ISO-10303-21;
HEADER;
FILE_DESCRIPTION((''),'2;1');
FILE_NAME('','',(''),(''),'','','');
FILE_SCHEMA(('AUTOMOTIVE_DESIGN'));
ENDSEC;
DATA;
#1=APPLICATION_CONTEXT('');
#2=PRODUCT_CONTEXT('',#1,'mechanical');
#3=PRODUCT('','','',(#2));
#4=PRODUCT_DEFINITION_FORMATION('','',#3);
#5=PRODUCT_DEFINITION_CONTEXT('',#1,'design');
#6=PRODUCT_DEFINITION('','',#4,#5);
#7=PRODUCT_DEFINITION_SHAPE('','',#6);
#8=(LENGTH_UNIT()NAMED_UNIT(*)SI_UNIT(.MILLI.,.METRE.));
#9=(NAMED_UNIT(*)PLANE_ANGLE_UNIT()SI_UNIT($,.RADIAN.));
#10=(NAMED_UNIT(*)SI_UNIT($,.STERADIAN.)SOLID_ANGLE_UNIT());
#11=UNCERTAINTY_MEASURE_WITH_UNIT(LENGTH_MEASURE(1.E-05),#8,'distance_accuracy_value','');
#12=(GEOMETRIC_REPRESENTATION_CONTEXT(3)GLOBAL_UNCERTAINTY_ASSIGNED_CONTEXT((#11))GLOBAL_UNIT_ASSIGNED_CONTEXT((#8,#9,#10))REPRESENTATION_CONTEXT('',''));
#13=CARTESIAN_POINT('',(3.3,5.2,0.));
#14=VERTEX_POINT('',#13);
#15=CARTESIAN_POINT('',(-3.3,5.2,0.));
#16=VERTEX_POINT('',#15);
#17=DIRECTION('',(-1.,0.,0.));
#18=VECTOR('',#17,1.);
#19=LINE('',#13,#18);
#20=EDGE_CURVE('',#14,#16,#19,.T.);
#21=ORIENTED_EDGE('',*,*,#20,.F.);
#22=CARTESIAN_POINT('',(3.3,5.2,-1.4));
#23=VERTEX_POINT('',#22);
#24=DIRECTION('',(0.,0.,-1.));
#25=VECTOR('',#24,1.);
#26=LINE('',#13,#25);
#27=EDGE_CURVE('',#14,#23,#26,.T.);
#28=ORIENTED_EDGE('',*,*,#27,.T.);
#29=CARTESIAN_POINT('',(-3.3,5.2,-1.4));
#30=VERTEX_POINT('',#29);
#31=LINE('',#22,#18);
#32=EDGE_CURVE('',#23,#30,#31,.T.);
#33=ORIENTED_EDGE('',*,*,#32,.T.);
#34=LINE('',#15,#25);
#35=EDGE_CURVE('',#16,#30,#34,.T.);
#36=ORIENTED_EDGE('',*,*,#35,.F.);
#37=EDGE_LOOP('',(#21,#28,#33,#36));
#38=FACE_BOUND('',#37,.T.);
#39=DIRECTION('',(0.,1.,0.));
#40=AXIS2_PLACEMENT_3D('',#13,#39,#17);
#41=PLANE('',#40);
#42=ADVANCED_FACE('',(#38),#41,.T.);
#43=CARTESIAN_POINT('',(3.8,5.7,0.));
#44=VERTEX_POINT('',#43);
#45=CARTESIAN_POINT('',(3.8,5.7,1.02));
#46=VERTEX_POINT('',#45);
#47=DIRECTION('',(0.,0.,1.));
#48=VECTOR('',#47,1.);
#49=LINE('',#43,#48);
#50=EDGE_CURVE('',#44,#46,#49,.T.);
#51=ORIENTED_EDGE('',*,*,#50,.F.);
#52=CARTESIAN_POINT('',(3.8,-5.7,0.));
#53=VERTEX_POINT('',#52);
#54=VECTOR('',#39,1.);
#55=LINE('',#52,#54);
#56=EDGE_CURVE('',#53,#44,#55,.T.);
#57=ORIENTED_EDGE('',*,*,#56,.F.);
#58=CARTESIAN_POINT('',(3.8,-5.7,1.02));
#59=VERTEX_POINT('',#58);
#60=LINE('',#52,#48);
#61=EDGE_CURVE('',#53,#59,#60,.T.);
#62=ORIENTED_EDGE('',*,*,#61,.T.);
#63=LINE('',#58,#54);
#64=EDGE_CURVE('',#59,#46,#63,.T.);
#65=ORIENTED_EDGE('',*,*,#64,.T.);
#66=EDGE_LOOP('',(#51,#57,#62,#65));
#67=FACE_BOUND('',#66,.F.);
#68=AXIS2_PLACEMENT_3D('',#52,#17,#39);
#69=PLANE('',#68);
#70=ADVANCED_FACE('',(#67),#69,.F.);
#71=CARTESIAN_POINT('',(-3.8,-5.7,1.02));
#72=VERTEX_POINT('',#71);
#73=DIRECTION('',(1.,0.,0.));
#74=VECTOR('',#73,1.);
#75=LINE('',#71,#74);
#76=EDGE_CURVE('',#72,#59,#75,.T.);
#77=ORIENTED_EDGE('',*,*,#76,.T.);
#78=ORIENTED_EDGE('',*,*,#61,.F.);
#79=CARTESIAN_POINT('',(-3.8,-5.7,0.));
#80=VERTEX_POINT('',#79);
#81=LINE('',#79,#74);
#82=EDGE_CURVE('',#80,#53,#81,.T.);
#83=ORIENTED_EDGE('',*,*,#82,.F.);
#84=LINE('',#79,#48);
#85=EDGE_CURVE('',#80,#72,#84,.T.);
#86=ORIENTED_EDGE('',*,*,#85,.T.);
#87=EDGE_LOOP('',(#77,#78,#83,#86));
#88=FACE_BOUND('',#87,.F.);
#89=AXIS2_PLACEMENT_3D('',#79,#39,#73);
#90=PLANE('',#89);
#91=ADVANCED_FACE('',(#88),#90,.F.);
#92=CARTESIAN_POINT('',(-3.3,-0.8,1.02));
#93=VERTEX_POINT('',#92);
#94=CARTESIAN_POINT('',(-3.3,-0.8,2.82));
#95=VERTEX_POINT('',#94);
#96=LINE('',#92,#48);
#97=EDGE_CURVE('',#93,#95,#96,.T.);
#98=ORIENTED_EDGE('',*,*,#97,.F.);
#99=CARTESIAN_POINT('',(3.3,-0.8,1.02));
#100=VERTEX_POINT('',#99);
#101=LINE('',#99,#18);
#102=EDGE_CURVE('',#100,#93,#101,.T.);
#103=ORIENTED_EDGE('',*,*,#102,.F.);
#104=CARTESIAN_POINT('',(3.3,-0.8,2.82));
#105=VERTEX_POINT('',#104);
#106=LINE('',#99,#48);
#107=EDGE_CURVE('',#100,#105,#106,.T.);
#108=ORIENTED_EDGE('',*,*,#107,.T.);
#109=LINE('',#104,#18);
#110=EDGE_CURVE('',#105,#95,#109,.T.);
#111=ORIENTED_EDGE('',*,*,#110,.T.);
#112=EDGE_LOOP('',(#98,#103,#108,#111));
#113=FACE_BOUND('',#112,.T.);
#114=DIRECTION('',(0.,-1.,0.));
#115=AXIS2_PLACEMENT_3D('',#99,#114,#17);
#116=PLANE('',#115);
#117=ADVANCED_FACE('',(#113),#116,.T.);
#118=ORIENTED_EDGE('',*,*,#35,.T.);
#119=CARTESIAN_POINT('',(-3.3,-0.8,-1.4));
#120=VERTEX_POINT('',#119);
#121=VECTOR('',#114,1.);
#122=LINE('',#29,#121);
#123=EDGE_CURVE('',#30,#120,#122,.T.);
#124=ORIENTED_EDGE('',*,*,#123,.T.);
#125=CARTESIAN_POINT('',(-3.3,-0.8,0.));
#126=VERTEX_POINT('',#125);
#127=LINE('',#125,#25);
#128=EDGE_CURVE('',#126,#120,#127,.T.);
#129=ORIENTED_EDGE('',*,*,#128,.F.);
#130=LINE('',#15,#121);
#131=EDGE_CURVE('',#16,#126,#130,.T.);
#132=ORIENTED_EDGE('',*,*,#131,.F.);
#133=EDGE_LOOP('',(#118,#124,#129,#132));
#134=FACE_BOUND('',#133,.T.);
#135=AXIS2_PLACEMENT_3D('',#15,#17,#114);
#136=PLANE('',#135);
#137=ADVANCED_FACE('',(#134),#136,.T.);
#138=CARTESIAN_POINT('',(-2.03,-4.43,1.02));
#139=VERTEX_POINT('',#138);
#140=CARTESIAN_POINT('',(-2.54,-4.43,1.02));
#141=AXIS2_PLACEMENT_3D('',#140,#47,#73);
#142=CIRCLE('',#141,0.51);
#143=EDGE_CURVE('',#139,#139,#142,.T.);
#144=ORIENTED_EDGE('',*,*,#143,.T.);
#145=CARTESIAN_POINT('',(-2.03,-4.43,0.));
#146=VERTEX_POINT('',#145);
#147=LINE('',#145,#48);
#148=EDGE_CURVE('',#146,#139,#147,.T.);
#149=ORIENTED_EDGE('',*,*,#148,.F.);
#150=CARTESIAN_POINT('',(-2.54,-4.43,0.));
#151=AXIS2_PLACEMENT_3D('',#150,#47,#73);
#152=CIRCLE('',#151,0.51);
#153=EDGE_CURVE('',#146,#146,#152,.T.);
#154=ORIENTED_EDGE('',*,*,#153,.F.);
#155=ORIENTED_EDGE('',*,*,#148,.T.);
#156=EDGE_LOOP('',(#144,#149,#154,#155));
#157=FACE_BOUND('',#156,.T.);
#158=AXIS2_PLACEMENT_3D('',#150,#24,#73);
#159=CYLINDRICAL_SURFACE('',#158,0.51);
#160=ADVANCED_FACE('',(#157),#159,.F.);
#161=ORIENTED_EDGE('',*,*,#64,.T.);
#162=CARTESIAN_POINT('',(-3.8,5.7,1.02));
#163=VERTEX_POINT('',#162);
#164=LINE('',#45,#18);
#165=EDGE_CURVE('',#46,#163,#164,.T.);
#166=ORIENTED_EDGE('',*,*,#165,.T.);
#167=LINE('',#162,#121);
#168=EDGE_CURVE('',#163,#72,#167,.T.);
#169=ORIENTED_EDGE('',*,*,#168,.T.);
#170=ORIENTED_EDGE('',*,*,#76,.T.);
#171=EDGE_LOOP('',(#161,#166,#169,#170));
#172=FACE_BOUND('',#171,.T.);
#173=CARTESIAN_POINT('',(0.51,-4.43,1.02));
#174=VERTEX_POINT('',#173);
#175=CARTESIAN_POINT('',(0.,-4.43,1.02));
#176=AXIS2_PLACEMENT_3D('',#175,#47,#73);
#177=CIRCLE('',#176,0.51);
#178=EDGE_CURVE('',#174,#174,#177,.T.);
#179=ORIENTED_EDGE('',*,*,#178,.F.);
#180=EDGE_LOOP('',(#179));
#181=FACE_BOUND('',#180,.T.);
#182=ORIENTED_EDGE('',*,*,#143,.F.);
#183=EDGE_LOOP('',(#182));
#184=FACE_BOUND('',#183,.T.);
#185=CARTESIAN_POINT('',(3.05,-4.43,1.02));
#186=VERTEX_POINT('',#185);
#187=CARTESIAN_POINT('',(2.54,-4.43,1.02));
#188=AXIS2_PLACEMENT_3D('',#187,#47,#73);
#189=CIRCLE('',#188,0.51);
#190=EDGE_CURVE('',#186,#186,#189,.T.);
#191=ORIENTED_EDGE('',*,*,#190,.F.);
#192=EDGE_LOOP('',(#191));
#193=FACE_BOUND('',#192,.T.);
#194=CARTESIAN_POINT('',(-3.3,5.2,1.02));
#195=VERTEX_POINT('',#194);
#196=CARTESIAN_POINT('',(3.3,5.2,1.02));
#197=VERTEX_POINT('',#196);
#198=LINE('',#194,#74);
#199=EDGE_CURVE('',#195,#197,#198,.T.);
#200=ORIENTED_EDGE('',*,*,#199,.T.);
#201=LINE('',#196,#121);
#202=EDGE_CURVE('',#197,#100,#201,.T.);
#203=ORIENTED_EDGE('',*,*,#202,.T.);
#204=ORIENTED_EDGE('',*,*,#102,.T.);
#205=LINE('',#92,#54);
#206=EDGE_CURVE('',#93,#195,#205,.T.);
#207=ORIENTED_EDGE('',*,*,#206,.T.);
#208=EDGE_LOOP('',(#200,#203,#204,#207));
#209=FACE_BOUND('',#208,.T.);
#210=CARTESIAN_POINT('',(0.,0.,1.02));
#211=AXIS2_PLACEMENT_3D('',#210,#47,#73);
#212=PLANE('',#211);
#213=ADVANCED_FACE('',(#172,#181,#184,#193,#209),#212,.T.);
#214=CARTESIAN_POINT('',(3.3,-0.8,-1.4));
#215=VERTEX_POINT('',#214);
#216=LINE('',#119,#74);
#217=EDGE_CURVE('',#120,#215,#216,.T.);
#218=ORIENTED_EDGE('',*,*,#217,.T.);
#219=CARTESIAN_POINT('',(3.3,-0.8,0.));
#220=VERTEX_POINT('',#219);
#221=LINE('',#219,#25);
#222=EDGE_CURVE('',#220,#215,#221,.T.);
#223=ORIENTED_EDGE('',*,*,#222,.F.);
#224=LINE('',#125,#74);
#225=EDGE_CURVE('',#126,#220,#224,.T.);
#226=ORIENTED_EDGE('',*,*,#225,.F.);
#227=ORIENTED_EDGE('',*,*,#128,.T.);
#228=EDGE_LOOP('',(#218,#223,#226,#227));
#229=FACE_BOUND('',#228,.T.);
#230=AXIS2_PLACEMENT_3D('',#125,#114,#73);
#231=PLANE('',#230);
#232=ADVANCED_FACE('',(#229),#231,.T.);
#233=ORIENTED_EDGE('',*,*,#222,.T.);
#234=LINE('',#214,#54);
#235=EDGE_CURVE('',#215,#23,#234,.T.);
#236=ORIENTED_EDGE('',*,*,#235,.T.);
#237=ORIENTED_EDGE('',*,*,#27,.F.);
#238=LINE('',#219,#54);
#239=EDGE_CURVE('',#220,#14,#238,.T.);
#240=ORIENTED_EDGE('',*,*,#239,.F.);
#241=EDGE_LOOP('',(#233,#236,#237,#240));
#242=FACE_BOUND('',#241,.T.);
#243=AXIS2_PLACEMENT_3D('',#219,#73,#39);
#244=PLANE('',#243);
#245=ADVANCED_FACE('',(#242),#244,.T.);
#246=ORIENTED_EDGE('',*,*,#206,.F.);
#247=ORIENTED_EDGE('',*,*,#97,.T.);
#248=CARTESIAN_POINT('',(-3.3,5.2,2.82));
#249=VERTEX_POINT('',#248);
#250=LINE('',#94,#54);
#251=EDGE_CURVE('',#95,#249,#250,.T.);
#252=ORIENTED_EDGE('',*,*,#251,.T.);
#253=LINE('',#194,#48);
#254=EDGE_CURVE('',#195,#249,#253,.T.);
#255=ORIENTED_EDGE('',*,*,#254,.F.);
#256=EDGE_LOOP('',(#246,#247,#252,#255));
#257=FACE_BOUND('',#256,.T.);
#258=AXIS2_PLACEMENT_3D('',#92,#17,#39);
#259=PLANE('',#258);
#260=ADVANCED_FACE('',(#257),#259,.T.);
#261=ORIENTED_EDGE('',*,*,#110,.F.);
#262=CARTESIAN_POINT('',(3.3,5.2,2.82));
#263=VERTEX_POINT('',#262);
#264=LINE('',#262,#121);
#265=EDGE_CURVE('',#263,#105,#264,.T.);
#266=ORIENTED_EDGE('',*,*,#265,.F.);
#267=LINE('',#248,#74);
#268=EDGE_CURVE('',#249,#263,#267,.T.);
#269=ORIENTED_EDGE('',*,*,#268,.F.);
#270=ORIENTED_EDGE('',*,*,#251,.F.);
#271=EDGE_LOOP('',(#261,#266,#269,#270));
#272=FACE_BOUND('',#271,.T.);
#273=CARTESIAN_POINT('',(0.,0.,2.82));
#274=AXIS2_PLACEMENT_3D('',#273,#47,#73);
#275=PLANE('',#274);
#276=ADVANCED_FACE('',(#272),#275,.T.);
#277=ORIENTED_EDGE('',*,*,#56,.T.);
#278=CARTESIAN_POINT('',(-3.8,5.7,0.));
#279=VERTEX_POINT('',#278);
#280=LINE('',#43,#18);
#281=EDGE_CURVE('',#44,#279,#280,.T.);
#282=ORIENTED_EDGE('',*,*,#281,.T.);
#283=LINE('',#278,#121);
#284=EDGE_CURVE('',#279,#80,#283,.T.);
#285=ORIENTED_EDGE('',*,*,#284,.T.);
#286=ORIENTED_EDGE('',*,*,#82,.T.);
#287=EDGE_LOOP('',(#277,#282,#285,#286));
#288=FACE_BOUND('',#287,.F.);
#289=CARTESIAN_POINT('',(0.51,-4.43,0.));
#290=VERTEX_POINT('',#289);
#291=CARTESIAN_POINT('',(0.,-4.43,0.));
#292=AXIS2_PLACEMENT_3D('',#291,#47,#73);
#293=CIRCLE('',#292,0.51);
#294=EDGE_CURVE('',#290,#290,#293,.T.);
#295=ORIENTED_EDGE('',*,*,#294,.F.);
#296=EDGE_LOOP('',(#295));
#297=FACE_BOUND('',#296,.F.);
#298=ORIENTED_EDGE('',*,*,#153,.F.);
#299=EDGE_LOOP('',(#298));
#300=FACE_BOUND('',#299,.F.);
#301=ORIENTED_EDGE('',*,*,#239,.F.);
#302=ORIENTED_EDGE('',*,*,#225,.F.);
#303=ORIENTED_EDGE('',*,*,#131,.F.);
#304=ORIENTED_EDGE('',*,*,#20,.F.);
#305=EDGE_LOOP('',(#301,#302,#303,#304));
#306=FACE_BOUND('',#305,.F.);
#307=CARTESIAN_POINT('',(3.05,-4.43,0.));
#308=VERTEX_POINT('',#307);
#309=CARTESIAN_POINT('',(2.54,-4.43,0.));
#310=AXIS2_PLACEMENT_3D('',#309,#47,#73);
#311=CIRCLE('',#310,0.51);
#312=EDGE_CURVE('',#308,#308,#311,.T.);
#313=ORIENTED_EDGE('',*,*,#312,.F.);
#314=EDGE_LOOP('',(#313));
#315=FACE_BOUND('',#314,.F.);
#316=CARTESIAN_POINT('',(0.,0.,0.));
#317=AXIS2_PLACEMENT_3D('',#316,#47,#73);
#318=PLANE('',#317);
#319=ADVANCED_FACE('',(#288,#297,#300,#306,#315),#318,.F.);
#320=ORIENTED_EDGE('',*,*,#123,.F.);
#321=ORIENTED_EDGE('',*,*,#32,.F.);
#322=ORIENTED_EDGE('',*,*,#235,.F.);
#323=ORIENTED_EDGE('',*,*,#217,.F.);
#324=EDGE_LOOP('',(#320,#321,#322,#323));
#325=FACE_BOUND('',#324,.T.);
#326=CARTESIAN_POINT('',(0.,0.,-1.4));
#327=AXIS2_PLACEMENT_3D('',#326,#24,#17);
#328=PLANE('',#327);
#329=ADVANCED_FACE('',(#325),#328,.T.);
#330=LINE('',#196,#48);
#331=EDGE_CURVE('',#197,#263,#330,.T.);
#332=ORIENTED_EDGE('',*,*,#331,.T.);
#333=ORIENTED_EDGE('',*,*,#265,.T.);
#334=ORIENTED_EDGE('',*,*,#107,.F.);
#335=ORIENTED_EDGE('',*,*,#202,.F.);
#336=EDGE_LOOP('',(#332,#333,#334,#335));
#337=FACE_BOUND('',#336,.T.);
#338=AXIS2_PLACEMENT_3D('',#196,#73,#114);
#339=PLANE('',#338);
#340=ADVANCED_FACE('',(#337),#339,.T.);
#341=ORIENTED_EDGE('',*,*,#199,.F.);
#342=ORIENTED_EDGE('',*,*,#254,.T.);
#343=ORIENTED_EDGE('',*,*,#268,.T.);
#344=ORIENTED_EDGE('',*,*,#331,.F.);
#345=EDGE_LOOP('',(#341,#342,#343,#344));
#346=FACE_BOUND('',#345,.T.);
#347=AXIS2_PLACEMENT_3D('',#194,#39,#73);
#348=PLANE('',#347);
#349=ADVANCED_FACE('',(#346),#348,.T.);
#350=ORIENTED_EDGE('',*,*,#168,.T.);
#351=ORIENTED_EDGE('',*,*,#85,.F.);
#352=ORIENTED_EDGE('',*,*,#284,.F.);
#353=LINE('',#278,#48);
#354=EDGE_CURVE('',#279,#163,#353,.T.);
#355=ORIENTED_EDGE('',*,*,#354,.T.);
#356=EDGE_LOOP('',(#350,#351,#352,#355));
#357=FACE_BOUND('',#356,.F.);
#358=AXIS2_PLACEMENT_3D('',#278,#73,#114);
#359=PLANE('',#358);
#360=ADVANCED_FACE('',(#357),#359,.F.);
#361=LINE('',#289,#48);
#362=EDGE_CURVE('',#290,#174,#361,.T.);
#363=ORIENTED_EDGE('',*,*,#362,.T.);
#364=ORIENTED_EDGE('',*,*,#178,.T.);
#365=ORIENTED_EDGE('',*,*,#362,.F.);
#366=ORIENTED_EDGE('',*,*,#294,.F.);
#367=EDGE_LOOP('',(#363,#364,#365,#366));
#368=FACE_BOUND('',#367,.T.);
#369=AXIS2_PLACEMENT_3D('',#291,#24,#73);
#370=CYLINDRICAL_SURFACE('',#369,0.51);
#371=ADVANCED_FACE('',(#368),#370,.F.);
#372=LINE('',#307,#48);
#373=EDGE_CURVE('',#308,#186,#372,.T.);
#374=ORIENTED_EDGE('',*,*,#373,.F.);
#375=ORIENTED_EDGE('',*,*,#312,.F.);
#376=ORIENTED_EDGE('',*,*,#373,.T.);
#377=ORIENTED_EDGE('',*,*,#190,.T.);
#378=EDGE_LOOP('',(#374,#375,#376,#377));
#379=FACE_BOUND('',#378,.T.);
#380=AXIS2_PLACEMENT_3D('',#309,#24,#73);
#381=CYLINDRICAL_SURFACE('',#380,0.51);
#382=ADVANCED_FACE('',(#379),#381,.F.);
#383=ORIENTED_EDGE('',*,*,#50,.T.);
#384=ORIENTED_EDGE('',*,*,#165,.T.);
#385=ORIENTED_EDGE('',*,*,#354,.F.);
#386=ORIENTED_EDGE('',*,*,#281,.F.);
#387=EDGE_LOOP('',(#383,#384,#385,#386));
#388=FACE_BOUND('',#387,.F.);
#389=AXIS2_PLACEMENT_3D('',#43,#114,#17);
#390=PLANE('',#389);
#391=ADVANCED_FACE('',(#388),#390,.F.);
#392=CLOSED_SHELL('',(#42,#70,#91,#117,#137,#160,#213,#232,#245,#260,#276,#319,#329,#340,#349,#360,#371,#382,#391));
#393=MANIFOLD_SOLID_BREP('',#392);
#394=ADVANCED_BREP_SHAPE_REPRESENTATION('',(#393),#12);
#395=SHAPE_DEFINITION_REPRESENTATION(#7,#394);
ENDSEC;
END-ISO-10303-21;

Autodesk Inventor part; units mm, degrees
ref_plane "YZ Plane" through (0, 0, 0) normal (1, 0, 0) x (0, 1, 0)
ref_plane "XZ Plane" through (0, 0, 0) normal (0, 1, 0) x (-1, 0, 0)
ref_plane "XY Plane" through (0, 0, 0) normal (0, 0, 1) x (1, 0, 0)
sketch "スケッチ1" plane through (0, 0, 0) normal (0, 0, 1) x (1, 0, 0)
  line L0 (-3.8, -5.7) -> (3.8, -5.7)
  line L1 (3.8, -5.7) -> (3.8, 5.7)
  line L2 (3.8, 5.7) -> (-3.8, 5.7)
  line L3 (-3.8, 5.7) -> (-3.8, -5.7)
  line L4 (-3.8, -5.7) -> (3.8, 5.7) construction
  line L5 (3.8, -5.7) -> (-3.8, 5.7) construction
  circle A0 centre (0, -4.43) radius 0.51
  circle A1 centre (-2.54, -4.43) radius 0.51
  circle A2 centre (2.54, -4.43) radius 0.51
  point P0 (0, 0)
  point P1 (0, 0)
  dimension "d0" = 11.4
  dimension "d1" = 7.6
  dimension "d2" = 1.27
  dimension "d3" = 2.54
  dimension "d4" = 2.54
  dimension "d5" = 1.02
extrude "押し出し1" add sketch "スケッチ1" along normal blind 1.02
sketch "スケッチ2" plane through (0, 0, 1.02) normal (0, 0, 1) x (1, 0, 0)
  line L0 (-3.3, 5.2) -> (3.3, 5.2)
  line L1 (3.3, 5.2) -> (3.3, -0.8)
  line L2 (3.3, -0.8) -> (-3.3, -0.8)
  line L3 (-3.3, -0.8) -> (-3.3, 5.2)
  line L4 (-3.3, 5.2) -> (3.3, -0.8) construction
  line L5 (3.3, 5.2) -> (-3.3, -0.8) construction
  line L6 (3.8, 5.7) -> (-3.8, 5.7) projected
  line L7 (-3.8, 5.7) -> (-3.8, -5.7) projected
  line L8 (3.8, -5.7) -> (3.8, 5.7) projected
  point P0 (0, 0)
  point P1 (0, 2.2)
  dimension "d8" = 0.5
  dimension "d9" = 0.5
  dimension "d10" = 0.5
  dimension "d11" = 6
extrude "押し出し2" add sketch "スケッチ2" along normal blind 1.8
sketch "スケッチ3" plane through (0, 0, 0) normal (0, 0, -1) x (-1, 0, 0)
  line L0 (-3.3, 5.2) -> (3.3, 5.2) projected
  line L1 (3.3, 5.2) -> (3.3, -0.8) projected
  line L2 (3.3, -0.8) -> (-3.3, -0.8) projected
  line L3 (-3.3, -0.8) -> (-3.3, 5.2) projected
  point P0 (0, 0)
extrude "押し出し3" add sketch "スケッチ3" along normal blind 1.4
sketch "スケッチ4" plane through (0, 0, 1.02) normal (0, 0, 1) x (1, 0, 0)
  line L0 (-3.0991, -3.2712) -> (-1.8939, -3.2712) construction
  line L1 (-1.8939, -3.2712) -> (-1.8939, -3.8169) construction
  line L2 (-1.8939, -3.8169) -> (-3.0991, -3.8169) construction
  line L3 (-3.0991, -3.8169) -> (-3.0991, -3.2712) construction
  line L4 (-0.6641, -3.2466) -> (0.9346, -3.2466) construction
  line L5 (0.9346, -3.2466) -> (0.9346, -3.8169) construction
  line L6 (0.9346, -3.8169) -> (-0.6641, -3.8169) construction
  line L7 (-0.6641, -3.8169) -> (-0.6641, -3.2466) construction
  line L8 (1.7955, -3.2958) -> (3.5455, -3.2958) construction
  line L9 (3.5455, -3.2958) -> (3.5455, -3.8169) construction
  line L10 (3.5455, -3.8169) -> (1.7955, -3.8169) construction
  line L11 (1.7955, -3.8169) -> (1.7955, -3.2958) construction
  point P0 (0, 0)
properties part number "S7V7F5"
